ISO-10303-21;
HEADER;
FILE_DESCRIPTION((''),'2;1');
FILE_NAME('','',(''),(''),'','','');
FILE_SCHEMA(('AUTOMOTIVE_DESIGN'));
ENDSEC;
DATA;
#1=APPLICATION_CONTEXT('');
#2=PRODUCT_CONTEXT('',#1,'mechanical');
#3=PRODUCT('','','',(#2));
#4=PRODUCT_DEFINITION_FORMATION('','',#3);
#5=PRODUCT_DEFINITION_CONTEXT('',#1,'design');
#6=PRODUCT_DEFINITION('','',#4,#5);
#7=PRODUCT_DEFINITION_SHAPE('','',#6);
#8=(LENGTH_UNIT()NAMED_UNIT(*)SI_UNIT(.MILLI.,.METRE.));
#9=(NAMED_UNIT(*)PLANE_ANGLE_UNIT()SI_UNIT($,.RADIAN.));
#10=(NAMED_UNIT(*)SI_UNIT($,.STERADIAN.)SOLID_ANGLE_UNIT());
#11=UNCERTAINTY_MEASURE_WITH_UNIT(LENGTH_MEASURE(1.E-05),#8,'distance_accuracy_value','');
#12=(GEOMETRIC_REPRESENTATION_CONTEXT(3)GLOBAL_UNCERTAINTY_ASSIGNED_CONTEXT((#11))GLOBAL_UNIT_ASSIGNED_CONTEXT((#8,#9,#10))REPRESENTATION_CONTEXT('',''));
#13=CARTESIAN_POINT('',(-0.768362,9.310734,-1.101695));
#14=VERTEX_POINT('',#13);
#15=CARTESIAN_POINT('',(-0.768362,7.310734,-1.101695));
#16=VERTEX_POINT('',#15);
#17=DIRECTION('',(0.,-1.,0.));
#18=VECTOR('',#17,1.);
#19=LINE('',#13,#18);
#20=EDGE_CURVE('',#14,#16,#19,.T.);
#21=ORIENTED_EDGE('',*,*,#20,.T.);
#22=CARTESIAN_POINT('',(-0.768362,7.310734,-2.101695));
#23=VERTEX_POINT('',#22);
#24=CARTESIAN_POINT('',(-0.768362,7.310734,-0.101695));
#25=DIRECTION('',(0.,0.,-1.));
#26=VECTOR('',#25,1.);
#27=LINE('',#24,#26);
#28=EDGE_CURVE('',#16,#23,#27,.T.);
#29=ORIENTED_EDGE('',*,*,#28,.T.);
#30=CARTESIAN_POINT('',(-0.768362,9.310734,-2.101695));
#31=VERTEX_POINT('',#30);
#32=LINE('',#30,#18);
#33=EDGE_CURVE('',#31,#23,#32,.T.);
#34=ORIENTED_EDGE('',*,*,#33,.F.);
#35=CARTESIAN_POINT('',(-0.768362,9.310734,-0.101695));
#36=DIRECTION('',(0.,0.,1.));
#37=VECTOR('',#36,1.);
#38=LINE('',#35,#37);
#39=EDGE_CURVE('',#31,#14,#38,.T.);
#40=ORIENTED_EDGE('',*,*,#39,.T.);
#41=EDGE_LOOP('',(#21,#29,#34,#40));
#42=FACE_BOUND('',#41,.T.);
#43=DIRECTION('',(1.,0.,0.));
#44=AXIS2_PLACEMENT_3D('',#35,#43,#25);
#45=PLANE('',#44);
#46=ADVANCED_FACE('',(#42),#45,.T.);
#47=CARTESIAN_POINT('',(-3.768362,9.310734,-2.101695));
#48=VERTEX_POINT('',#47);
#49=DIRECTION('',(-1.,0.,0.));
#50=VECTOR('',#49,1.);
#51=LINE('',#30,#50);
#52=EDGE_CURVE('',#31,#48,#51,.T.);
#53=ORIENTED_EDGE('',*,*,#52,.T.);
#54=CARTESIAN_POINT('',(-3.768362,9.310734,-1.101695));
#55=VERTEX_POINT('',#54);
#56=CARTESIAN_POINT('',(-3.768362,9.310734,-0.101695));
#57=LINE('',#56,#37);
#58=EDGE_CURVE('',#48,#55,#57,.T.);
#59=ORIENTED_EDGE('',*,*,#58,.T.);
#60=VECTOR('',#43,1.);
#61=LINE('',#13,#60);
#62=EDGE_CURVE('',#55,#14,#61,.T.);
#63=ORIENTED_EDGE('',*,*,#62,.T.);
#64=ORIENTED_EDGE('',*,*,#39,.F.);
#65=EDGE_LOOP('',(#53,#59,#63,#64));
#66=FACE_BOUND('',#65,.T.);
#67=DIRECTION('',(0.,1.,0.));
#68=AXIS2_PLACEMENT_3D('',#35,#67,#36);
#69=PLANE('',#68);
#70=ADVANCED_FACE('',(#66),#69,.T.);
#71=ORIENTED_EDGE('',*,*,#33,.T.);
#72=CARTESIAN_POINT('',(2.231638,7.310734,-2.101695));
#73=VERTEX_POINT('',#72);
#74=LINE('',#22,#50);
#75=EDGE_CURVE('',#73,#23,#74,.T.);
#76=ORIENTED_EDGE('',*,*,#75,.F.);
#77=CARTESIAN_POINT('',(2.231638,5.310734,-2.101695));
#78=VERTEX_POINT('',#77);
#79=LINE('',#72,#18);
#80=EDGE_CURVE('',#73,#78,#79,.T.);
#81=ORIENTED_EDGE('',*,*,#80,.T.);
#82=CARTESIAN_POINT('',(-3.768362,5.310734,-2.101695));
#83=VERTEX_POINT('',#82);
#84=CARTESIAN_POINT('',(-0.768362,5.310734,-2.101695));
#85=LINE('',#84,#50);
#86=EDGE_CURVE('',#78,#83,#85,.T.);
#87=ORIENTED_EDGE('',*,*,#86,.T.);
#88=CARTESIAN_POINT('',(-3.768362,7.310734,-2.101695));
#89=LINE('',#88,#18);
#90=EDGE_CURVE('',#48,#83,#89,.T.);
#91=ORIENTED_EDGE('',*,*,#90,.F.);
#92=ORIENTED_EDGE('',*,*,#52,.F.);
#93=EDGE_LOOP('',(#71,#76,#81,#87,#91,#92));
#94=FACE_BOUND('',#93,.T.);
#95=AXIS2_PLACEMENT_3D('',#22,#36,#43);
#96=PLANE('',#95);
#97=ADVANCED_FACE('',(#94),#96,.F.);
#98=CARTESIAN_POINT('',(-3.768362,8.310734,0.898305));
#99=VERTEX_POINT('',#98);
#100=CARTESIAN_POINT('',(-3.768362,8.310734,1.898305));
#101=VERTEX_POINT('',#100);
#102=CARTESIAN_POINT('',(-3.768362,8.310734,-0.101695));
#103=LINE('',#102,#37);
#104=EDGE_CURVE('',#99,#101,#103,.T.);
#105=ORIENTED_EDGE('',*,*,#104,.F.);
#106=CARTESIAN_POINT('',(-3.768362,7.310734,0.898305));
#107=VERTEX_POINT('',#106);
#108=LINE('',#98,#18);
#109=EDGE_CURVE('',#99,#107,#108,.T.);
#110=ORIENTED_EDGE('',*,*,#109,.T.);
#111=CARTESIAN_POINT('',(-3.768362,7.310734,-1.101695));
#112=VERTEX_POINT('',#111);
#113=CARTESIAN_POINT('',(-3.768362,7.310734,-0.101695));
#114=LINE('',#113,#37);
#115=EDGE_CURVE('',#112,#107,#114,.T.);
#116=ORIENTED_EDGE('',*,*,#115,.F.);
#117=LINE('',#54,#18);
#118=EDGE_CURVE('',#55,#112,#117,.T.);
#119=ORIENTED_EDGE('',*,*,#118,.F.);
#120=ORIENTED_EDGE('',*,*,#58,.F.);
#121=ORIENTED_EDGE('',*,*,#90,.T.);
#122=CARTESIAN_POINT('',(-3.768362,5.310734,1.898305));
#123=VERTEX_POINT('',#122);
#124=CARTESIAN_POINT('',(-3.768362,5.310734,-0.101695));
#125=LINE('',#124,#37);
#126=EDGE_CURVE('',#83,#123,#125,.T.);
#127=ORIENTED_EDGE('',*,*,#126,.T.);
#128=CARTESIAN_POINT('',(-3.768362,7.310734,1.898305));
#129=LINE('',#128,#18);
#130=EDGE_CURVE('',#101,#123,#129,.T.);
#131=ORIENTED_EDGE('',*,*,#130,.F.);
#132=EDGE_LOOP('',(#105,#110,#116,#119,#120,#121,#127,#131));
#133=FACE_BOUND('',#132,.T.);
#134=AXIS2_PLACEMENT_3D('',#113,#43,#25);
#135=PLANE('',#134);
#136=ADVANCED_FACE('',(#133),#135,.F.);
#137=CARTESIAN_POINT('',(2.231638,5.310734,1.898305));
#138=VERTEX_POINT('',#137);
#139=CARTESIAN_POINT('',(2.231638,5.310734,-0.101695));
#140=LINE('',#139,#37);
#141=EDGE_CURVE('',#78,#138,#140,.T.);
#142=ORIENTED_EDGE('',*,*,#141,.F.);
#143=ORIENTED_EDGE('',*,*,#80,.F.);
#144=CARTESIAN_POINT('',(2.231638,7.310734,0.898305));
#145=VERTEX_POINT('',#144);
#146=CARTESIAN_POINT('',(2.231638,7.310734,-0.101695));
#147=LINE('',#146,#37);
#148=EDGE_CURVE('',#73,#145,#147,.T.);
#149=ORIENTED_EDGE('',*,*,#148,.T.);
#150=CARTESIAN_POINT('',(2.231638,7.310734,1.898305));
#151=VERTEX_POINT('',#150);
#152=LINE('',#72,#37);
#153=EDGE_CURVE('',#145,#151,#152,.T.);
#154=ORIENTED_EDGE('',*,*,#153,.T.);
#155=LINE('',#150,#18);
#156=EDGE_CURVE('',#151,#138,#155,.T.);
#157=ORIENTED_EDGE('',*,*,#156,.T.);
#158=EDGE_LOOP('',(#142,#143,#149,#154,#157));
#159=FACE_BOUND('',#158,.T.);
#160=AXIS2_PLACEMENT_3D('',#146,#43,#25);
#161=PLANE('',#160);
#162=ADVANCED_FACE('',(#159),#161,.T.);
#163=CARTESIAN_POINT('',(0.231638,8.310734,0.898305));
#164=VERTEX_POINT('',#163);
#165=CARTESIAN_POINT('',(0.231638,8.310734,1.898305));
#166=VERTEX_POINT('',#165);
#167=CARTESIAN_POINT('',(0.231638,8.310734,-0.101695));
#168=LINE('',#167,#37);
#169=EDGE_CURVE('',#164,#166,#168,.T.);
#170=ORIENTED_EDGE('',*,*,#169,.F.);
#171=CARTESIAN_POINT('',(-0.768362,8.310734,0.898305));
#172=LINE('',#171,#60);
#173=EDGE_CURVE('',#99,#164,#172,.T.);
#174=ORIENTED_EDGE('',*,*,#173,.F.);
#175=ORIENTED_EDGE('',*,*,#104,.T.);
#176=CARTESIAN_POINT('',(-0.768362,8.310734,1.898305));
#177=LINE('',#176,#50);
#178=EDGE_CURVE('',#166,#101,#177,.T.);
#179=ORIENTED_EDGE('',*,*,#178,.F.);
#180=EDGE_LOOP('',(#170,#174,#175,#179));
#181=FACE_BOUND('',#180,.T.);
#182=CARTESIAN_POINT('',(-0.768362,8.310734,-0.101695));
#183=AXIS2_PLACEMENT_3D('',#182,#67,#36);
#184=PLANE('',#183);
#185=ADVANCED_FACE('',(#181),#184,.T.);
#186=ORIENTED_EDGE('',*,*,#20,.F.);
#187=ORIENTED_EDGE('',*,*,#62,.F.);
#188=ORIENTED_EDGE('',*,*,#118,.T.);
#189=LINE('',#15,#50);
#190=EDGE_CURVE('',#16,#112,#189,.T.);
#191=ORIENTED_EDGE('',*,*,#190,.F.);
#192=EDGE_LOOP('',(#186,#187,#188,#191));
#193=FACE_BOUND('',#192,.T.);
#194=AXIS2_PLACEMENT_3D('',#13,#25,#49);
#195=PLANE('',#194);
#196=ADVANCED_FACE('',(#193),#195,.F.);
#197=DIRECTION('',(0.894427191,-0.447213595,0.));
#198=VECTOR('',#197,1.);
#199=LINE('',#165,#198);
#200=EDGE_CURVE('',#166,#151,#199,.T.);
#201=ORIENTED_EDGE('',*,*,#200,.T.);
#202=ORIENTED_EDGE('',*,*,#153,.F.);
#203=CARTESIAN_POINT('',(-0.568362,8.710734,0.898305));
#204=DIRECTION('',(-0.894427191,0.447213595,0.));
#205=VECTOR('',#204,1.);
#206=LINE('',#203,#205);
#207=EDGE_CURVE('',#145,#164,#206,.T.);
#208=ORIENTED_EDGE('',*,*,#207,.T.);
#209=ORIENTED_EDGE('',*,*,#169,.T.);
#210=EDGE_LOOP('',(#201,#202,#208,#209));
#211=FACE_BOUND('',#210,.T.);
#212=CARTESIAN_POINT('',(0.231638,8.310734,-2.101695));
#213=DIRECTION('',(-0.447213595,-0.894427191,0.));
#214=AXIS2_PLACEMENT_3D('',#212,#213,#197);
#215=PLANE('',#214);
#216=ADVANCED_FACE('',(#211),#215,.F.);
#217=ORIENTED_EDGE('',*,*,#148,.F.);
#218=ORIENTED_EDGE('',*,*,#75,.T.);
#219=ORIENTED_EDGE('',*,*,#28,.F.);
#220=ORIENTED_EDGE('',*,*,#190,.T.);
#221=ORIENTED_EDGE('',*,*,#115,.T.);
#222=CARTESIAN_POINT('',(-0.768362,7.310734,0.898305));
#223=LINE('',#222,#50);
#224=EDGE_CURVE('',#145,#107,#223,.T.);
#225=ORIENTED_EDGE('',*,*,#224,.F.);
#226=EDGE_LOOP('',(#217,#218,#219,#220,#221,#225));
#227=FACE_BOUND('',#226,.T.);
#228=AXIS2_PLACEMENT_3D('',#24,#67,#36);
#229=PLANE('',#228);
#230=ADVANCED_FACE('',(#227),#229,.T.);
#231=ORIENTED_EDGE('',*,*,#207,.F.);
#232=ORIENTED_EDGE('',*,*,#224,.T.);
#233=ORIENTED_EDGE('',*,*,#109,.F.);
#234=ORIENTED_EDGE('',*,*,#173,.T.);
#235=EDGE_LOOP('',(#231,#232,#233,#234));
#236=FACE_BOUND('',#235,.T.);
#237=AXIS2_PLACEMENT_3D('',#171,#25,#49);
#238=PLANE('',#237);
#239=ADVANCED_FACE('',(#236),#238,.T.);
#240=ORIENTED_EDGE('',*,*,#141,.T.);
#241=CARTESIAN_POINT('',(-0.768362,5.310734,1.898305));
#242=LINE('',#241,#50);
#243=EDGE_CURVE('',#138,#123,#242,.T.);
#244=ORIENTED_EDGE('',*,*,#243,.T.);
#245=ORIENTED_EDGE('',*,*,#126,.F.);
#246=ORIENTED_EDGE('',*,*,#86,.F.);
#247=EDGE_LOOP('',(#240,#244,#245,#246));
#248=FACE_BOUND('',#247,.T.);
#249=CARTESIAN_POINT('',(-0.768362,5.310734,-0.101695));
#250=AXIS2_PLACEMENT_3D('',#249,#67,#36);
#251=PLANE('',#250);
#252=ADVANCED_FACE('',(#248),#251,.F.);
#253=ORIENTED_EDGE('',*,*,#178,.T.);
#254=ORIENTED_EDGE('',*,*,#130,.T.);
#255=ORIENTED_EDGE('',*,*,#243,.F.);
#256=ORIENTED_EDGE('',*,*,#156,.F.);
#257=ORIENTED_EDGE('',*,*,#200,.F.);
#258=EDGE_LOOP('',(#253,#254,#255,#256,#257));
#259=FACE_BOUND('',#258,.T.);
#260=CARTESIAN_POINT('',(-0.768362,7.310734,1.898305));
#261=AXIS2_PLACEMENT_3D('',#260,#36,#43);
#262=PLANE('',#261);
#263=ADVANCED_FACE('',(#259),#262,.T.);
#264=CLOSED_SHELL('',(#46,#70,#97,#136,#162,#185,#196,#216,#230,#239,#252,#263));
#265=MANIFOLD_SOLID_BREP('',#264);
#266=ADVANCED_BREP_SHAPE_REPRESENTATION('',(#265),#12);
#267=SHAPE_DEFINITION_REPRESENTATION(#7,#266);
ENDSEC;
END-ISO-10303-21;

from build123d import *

# Parameters (mm, degrees)
SKETCH_1_W          = 30
SKETCH_1_H          = 20
EXTRUDE_1_DEPTH     = 10
SKETCH_1_3_W        = 30
SKETCH_1_3_H        = 5
EXTRUDE_2_DEPTH     = 15
SKETCH_1_4_W        = 15
SKETCH_1_4_H        = 5
EXTRUDE_3_DEPTH     = 20
CUT_EXTRUDE_1_DEPTH = 20
SCALE_1_SCALE       = 0.2


with BuildPart() as part:
    # 草圖1 → 填料-伸長1 (new body)
    with BuildSketch(Plane(origin=(0, 0, 0), x_dir=(1, 0, 0), z_dir=(0, 1, 0))):
        Rectangle(SKETCH_1_W, SKETCH_1_H)
    extrude(amount=EXTRUDE_1_DEPTH)

    # 草圖1<3> → 填料-伸長2 (add)
    with BuildSketch(Plane(origin=(0, 0, 0), x_dir=(1, 0, 0), z_dir=(0, 1, 0))):
        with Locations((0, -7.5)):
            Rectangle(SKETCH_1_3_W, SKETCH_1_3_H)
    extrude(amount=EXTRUDE_2_DEPTH)

    # 草圖1<4> → 填料-伸長3 (add)
    with BuildSketch(Plane(origin=(0, 0, 0), x_dir=(1, 0, 0), z_dir=(0, 1, 0))):
        with Locations((-7.5, 7.5)):
            Rectangle(SKETCH_1_4_W, SKETCH_1_4_H)
    extrude(amount=EXTRUDE_3_DEPTH)

    # 草圖2 → 除料-伸長1 (cut)
    with BuildSketch(Plane.XY.offset(10)):
        Polygon((5, 15), (15, 10), (15, 15), align=None)
    extrude(amount=-CUT_EXTRUDE_1_DEPTH, mode=Mode.SUBTRACT)


with BuildPart() as part_1:
    # 縮放比例1: scaled about (-0.960451977, 6.638418079, -0.127118644)
    add(part.part.scale(SCALE_1_SCALE).moved(Location((-0.768361582, 5.310734463, -0.101694915))))


solid = part_1.part
